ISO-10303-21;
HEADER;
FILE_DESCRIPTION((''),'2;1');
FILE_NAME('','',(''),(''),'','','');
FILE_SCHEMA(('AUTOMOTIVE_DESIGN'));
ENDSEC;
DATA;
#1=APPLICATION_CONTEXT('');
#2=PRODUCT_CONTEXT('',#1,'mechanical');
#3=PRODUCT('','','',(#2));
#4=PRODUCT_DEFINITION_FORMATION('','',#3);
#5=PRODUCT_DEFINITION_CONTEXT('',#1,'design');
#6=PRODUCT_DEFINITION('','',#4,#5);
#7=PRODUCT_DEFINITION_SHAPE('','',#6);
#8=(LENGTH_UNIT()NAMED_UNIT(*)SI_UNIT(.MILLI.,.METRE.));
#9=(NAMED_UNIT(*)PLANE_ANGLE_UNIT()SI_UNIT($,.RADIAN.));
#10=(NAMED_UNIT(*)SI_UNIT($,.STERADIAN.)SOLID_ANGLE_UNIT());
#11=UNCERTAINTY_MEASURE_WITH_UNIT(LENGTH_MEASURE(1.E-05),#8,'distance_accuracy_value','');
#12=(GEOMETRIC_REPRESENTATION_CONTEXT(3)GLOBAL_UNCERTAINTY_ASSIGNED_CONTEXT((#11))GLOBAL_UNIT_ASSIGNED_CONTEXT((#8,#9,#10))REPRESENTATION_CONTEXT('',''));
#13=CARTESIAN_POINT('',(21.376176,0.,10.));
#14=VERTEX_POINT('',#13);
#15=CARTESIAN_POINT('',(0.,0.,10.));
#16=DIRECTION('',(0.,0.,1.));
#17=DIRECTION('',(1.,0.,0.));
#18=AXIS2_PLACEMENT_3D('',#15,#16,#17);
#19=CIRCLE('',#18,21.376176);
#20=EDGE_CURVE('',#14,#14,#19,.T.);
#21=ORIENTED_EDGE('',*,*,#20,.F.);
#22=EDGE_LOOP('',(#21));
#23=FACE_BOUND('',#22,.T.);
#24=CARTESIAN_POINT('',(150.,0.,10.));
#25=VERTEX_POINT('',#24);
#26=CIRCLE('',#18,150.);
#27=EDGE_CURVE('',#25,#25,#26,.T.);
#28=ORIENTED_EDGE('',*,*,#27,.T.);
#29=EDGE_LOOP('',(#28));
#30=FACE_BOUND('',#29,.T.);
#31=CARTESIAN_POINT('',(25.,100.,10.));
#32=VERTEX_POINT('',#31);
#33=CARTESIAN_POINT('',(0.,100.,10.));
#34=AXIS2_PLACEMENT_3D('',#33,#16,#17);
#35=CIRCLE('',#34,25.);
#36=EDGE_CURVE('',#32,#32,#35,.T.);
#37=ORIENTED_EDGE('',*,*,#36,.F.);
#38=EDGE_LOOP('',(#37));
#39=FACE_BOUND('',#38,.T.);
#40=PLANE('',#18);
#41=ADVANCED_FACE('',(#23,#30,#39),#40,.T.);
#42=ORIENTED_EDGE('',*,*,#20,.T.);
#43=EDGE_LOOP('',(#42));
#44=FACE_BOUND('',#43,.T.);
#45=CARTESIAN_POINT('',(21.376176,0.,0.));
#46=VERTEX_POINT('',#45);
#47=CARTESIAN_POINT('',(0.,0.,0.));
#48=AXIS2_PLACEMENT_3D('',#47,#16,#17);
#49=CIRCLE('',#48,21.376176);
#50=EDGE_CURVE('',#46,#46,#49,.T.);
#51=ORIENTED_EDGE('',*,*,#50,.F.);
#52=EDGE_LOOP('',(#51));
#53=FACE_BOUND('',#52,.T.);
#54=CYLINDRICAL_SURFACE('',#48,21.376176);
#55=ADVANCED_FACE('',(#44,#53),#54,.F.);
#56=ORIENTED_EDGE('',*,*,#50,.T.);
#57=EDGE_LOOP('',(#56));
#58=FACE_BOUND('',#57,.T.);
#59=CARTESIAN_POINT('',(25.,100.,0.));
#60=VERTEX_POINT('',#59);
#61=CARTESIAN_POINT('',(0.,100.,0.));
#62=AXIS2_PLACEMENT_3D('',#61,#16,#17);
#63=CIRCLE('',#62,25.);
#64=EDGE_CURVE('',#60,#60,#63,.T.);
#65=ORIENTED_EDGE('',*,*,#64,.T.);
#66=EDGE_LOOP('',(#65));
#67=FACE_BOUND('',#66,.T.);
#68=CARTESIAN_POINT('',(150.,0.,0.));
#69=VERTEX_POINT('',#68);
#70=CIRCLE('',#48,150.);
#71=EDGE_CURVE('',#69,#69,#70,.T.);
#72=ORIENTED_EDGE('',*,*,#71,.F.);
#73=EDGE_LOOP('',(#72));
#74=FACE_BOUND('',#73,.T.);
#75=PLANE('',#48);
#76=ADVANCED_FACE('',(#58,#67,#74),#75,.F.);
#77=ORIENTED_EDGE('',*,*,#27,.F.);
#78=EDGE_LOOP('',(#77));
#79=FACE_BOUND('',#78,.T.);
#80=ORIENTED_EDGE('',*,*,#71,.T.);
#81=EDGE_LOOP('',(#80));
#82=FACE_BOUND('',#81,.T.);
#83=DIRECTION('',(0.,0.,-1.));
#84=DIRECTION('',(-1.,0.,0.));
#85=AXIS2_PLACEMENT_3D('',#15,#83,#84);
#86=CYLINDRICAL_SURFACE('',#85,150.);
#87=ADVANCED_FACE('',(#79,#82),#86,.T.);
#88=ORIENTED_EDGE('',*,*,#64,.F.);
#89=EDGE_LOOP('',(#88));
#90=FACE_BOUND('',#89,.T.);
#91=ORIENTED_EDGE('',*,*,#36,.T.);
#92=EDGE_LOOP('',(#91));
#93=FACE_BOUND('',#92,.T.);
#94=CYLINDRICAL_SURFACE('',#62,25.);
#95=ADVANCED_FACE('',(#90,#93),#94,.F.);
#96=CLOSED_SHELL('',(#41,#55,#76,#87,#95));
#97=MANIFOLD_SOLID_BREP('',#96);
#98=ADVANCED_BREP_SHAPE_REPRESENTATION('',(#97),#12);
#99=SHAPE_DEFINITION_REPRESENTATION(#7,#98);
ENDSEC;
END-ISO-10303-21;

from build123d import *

# Parameters (mm, degrees)
SKETCH1_R           = 150
BOSS_EXTRUDE1_DEPTH = 10
SKETCH2_R           = 21.376176391
SKETCH2_R_2         = 25
CUT_EXTRUDE1_DEPTH  = 10


with BuildPart() as part:
    # Sketch1 → Boss-Extrude1 (new body)
    with BuildSketch(Plane.XY):
        Circle(SKETCH1_R)
    extrude(amount=BOSS_EXTRUDE1_DEPTH)

    # Sketch2 → Cut-Extrude1 (cut)
    with BuildSketch(Plane.XY.offset(10)):
        Circle(SKETCH2_R)
        with Locations((0, 100)):
            Circle(SKETCH2_R_2)
    extrude(amount=-CUT_EXTRUDE1_DEPTH, mode=Mode.SUBTRACT)


solid = part.part
